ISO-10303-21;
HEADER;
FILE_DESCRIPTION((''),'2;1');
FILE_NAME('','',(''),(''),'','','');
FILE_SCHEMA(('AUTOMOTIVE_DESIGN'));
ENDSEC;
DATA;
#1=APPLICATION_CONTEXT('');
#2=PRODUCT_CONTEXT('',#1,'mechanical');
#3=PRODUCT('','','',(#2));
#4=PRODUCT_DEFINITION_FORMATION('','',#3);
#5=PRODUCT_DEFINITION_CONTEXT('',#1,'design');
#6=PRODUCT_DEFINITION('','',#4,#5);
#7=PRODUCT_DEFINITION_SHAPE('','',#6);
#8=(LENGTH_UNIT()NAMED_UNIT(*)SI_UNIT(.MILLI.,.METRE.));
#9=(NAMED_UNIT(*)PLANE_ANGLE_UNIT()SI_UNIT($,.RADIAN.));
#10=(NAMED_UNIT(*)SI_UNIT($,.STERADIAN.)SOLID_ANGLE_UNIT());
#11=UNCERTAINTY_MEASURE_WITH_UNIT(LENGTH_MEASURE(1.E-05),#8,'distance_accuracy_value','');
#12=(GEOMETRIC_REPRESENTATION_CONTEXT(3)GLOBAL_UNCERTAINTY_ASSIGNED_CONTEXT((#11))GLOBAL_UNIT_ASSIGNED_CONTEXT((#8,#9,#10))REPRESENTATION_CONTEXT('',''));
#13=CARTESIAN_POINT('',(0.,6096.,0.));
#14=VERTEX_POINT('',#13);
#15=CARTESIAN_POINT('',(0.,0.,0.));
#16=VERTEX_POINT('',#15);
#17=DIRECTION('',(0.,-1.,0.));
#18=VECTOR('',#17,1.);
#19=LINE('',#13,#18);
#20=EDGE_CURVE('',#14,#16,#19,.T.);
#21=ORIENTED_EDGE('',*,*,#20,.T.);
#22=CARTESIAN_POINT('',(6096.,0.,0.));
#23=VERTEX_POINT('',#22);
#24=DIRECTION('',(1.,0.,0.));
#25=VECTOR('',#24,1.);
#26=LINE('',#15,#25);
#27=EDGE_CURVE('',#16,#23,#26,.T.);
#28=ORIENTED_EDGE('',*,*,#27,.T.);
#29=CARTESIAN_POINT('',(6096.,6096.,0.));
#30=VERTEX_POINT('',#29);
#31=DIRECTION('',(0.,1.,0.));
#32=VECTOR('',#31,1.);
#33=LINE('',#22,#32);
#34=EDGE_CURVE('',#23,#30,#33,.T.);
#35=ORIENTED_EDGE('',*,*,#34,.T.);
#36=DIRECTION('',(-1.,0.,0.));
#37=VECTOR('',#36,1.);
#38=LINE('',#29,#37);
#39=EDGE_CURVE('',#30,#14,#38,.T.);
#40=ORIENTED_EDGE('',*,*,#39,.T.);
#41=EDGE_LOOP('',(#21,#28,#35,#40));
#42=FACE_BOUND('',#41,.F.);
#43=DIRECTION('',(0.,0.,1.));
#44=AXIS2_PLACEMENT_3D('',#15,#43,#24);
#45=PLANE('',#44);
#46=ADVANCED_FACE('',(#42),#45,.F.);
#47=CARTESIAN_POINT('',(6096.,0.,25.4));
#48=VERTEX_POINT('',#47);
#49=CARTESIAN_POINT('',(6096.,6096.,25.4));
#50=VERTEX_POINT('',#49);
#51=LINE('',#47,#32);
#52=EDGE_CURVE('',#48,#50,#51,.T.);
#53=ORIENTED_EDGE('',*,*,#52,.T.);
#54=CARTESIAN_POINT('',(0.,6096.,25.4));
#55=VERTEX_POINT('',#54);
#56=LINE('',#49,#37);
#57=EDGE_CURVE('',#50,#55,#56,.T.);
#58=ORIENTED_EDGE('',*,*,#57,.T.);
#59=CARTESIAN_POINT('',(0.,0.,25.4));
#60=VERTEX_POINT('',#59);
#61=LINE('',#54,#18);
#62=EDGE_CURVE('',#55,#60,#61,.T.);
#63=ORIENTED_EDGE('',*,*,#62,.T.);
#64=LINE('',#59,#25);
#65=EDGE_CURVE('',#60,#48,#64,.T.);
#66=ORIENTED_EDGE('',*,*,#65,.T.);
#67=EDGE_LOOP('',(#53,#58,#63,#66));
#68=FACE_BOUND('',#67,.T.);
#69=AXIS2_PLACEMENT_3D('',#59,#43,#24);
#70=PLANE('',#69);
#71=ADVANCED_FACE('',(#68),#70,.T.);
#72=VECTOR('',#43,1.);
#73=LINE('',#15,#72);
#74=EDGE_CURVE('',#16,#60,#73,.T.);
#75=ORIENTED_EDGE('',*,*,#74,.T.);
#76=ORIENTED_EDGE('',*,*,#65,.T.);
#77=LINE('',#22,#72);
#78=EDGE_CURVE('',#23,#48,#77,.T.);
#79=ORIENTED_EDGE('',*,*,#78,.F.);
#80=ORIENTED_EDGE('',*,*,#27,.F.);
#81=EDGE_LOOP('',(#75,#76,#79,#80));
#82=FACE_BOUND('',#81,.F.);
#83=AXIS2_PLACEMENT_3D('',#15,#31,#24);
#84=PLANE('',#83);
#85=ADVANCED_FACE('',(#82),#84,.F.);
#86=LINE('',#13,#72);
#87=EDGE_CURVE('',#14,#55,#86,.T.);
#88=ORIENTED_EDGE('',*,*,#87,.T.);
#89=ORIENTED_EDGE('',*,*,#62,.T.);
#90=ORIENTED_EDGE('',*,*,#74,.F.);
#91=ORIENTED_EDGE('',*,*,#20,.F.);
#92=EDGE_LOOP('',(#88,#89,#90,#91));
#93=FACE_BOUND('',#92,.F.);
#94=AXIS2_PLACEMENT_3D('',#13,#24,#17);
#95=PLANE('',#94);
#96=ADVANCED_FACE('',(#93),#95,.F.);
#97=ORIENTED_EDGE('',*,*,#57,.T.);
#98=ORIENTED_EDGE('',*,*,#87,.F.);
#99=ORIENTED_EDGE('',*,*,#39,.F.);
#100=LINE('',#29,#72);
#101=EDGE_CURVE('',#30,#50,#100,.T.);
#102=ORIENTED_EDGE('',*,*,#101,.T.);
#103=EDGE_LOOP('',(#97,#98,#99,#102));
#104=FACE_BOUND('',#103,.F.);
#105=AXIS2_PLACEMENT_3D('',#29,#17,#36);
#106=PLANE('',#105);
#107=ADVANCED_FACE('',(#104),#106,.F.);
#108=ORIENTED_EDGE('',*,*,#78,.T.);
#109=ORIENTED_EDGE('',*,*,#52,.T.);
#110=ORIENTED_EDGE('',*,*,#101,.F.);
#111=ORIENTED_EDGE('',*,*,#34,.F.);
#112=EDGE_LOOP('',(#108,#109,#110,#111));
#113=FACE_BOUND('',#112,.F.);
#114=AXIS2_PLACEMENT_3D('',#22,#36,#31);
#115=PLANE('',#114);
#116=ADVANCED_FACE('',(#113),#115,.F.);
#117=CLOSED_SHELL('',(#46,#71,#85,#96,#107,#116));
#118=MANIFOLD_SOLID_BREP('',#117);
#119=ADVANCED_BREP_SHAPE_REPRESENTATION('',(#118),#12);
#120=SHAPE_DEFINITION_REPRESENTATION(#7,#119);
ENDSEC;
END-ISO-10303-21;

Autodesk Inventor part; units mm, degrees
ref_plane "YZ Plane" through (0, 0, 0) normal (1, 0, 0) x (0, 1, 0)
ref_plane "XZ Plane" through (0, 0, 0) normal (0, 1, 0) x (-1, 0, 0)
ref_plane "XY Plane" through (0, 0, 0) normal (0, 0, 1) x (1, 0, 0)
sketch "Sketch1" plane through (0, 0, 0) normal (0, 0, 1) x (1, 0, 0)
  line L0 (0, 0) -> (6096, 0)
  line L1 (6096, 0) -> (6096, 6096)
  line L2 (6096, 6096) -> (0, 6096)
  line L3 (0, 6096) -> (0, 0)
  dimension "d0" = 6096
  dimension "d1" = 6096
extrude "Extrusion1" add sketch "Sketch1" along normal blind 25.4
properties part number "ground plne"
